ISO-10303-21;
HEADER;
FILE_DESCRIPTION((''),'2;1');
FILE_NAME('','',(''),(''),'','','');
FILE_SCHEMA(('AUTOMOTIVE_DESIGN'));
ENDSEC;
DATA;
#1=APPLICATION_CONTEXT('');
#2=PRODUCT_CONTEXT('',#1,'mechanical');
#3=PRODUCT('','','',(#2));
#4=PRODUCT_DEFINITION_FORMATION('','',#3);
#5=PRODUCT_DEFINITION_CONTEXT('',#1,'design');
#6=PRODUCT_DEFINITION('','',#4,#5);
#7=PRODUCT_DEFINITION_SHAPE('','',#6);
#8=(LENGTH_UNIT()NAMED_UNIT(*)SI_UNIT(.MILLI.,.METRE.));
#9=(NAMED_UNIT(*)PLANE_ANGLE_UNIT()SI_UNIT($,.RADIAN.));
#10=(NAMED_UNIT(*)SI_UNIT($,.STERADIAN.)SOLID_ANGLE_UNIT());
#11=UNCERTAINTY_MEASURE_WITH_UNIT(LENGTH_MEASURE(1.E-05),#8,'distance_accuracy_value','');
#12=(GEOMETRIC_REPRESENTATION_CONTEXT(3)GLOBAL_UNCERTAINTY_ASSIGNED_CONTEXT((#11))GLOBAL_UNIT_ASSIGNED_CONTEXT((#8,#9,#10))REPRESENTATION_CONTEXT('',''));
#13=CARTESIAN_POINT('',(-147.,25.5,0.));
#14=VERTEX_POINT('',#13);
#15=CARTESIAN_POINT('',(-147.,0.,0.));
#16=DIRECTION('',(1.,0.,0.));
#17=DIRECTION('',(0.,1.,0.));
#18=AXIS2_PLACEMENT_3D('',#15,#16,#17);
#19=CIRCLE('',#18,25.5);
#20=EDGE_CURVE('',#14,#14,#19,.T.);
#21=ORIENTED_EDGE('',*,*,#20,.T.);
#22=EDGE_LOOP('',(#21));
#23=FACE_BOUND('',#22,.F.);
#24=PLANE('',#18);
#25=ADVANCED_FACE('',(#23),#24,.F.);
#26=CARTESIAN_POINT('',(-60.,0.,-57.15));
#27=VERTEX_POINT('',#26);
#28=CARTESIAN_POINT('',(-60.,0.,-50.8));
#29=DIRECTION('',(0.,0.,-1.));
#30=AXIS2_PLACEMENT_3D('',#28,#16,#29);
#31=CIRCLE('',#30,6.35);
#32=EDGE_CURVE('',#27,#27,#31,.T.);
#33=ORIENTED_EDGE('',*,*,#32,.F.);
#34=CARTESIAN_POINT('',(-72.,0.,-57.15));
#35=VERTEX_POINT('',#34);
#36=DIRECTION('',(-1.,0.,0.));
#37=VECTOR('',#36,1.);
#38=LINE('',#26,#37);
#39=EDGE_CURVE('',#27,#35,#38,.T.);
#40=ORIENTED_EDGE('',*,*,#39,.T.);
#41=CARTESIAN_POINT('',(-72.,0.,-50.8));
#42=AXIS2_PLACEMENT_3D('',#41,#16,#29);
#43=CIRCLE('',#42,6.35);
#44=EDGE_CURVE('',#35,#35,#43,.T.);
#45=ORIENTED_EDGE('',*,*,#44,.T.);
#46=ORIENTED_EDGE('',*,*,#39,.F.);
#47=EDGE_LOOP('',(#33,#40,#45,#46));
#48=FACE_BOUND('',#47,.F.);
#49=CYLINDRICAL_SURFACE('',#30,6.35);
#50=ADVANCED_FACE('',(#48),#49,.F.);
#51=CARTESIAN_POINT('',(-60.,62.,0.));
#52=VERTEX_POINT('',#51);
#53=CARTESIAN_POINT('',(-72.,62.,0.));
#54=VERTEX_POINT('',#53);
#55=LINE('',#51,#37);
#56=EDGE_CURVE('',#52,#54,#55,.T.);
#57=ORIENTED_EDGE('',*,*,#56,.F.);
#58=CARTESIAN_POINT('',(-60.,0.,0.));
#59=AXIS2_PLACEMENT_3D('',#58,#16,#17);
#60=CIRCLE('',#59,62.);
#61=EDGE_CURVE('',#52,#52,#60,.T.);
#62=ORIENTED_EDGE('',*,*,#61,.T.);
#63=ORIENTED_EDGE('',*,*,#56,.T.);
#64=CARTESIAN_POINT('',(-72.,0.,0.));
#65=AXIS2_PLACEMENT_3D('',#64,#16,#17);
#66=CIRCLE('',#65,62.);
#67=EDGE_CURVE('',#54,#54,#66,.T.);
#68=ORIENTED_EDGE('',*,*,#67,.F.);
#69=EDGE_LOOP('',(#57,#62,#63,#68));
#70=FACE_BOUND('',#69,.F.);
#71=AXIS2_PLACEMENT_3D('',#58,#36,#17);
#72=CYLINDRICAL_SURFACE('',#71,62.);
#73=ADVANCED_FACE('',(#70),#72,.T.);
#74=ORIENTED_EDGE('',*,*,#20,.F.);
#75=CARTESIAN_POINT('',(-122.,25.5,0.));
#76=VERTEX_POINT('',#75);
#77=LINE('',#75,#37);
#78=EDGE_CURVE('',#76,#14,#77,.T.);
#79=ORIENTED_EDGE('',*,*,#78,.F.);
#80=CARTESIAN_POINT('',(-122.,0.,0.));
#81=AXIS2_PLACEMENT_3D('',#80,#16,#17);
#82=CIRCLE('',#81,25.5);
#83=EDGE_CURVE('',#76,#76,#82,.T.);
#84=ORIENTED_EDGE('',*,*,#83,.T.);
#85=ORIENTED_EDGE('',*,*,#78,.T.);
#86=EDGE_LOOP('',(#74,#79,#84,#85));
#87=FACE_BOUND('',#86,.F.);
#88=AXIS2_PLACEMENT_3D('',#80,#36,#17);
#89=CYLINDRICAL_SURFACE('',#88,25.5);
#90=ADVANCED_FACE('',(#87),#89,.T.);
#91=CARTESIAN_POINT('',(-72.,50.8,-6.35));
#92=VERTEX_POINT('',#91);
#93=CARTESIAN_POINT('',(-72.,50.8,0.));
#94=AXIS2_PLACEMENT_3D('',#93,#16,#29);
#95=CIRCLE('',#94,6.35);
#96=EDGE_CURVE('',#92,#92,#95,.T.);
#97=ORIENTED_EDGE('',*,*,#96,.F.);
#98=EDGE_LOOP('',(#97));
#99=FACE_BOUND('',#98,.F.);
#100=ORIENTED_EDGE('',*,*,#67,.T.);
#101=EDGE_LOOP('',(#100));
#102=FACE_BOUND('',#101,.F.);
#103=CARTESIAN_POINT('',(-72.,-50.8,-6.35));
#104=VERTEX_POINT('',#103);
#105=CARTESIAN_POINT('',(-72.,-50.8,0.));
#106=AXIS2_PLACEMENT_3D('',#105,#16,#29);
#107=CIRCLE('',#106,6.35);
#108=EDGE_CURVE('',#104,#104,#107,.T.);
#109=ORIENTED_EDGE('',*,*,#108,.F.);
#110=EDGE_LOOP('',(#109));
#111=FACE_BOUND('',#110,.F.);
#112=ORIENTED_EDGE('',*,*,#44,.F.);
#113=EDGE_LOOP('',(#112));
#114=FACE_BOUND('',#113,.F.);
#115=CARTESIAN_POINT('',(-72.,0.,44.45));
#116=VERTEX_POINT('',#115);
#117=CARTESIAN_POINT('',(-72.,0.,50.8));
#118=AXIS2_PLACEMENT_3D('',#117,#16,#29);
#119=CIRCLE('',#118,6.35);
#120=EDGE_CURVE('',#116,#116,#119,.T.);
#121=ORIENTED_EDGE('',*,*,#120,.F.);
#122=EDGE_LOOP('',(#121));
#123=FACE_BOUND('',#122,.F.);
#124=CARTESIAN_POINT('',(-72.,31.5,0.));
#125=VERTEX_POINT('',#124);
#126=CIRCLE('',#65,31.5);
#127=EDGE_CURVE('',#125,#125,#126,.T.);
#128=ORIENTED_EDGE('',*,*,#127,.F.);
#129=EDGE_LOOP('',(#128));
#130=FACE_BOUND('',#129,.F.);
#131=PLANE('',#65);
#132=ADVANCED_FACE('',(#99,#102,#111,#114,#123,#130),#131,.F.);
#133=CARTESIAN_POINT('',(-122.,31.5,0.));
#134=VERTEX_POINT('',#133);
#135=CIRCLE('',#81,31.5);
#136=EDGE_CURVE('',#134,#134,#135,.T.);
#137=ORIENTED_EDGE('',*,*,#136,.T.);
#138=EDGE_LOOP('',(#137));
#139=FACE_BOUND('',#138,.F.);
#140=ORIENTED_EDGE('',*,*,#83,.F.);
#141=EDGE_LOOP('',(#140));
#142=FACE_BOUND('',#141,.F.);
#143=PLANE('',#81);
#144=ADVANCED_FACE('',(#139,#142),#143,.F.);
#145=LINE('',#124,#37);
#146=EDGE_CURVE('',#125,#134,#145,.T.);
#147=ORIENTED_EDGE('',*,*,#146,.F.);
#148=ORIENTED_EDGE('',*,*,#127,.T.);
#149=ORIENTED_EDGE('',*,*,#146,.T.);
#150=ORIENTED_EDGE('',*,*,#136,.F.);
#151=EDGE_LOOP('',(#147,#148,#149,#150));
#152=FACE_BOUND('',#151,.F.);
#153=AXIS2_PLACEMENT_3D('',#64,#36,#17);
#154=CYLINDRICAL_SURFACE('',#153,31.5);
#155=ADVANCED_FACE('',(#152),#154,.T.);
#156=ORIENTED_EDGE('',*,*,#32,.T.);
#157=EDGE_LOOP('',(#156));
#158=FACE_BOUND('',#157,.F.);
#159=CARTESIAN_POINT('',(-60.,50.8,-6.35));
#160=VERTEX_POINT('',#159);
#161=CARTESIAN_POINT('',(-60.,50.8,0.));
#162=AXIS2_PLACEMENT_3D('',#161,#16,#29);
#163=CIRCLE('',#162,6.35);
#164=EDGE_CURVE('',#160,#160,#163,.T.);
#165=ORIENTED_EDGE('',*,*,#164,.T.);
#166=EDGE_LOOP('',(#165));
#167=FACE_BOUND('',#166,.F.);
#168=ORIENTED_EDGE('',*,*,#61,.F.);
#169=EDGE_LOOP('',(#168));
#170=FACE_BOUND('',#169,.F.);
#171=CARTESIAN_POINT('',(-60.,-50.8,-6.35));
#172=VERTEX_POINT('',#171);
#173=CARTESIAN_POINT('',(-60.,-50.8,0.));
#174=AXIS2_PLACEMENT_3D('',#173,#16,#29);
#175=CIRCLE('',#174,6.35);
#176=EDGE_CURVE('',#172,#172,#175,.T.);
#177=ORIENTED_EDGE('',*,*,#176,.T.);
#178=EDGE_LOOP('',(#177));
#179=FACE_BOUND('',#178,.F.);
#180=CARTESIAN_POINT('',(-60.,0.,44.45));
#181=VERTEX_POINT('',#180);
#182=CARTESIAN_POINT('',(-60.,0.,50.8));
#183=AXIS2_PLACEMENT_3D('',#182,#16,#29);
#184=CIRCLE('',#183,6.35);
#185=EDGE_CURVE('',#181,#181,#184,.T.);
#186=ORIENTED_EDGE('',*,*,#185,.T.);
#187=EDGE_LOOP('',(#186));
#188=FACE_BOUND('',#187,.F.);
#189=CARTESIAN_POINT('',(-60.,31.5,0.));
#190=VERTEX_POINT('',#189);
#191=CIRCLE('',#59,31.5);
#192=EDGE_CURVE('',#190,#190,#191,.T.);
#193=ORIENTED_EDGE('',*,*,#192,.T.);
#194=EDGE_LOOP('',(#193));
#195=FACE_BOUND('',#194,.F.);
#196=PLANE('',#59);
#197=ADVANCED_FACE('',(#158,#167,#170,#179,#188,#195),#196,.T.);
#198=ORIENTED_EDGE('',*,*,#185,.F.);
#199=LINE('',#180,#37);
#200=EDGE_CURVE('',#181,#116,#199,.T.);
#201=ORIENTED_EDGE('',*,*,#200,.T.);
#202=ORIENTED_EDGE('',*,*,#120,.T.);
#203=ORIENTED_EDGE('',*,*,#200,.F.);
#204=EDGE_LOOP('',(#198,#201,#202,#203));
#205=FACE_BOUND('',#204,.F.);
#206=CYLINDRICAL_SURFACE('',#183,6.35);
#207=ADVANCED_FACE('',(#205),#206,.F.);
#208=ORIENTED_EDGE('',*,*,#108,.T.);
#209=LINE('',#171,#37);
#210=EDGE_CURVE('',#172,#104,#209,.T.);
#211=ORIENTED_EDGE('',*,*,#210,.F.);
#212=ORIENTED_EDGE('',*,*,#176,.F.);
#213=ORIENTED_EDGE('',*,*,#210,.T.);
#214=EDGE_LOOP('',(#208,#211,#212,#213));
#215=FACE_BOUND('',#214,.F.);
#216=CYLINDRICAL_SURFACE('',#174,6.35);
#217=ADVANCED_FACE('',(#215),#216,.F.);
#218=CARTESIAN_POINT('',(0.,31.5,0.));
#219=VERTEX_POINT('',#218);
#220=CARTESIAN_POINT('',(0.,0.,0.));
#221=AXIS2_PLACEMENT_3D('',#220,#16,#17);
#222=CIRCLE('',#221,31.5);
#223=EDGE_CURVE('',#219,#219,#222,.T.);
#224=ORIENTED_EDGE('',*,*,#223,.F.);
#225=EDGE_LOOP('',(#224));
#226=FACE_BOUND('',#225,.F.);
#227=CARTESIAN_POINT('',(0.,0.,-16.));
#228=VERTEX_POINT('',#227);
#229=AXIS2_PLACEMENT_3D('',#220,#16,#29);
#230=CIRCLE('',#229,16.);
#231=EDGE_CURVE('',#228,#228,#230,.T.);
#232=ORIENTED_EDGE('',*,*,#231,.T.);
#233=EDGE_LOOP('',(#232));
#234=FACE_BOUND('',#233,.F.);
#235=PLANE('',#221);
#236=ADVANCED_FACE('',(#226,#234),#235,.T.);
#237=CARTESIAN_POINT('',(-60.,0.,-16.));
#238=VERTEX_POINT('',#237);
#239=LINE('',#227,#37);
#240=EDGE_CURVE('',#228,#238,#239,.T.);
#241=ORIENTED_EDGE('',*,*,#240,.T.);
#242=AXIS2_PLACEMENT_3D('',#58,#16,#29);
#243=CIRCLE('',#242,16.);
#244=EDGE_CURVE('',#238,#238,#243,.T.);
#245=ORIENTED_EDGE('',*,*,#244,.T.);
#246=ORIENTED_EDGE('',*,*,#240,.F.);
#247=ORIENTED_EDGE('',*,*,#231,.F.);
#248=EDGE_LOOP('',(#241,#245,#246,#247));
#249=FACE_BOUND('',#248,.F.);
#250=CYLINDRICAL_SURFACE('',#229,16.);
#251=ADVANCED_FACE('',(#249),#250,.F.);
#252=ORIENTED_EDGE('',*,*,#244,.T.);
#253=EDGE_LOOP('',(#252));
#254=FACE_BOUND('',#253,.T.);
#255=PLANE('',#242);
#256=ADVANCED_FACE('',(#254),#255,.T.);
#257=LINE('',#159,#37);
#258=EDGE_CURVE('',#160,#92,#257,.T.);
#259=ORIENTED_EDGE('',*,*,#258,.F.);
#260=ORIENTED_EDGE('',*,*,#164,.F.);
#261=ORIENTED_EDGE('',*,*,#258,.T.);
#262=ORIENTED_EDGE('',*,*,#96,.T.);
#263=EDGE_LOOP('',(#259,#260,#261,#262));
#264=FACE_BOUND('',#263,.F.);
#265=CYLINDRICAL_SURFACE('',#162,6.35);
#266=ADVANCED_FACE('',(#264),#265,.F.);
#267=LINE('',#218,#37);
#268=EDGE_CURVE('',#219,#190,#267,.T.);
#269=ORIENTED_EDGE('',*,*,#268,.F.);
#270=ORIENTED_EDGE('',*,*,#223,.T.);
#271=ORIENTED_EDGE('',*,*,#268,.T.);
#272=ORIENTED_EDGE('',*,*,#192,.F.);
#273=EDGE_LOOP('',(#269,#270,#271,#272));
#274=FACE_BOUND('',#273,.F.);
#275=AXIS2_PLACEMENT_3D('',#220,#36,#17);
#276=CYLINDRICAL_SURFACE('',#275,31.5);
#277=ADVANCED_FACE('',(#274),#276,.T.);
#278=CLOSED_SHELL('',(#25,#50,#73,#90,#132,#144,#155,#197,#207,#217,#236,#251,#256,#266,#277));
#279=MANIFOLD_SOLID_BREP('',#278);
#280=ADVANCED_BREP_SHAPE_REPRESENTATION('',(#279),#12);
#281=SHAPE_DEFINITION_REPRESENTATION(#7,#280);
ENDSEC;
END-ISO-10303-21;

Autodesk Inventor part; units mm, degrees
ref_plane "YZ Plane" through (0, 0, 0) normal (1, 0, 0) x (0, 1, 0)
ref_plane "XZ Plane" through (0, 0, 0) normal (0, 1, 0) x (-1, 0, 0)
ref_plane "XY Plane" through (0, 0, 0) normal (0, 0, 1) x (1, 0, 0)
sketch "Sketch1" plane through (0, 0, 0) normal (0, 0, 1) x (1, 0, 0)
  line L0 (0, 0) -> (0, 31.5)
  line L1 (0, 31.5) -> (-60, 31.5)
  line L2 (-60, 31.5) -> (-60, 62)
  line L3 (-60, 62) -> (-72, 62)
  line L4 (-72, 62) -> (-72, 31.5)
  line L5 (-72, 31.5) -> (-122, 31.5)
  line L6 (-122, 31.5) -> (-122, 25.5)
  line L7 (-122, 25.5) -> (-147, 25.5)
  line L8 (-147, 25.5) -> (-147, 0)
  line L9 (-147, 0) -> (0, 0)
  dimension "d0" = 31.5
  dimension "d1" = 60
  dimension "d2" = 30.5
  dimension "d3" = 12
  dimension "d4" = 30.5
  dimension "d5" = 50
  dimension "d6" = 6
  dimension "d7" = 25
revolve "Revolution1" add sketch "Sketch1" angle 360 about axis through (-147, 0, 0) along (1, 0, 0)
sketch "Sketch2" plane through (-60, 0, 0) normal (1, 0, 0) x (0, 0, -1)
  circle A0 centre (0, 50.8) radius 6.35
  circle A1 centre (-50.8, 0) radius 6.35
  circle A2 centre (50.8, 0) radius 6.35
  circle A3 centre (0, -50.8) radius 6.35
  line L0 (0, 0) -> (0, 50.8) construction
  line L1 (0, 0) -> (0, 50.8) construction
  line L2 (0, 0) -> (50.8, 0) construction
  line L3 (0, 0) -> (0, -50.8) construction
  line L4 (0, 0) -> (-50.8, 0) construction
  dimension "d9" = 12.7
  dimension "d10" = 50.8
  dimension "d11" = 12.7
  dimension "d12" = 12.7
  dimension "d13" = 12.7
extrude "Extrusion1" cut sketch "Sketch2" against normal through all
sketch "Sketch3" plane through (0, 0, 0) normal (1, 0, 0) x (0, 0, -1)
  circle A0 centre (0, 0) radius 16
  dimension "d16" = 32
extrude "Extrusion2" cut sketch "Sketch3" against normal blind 60
properties part number "pilot"
